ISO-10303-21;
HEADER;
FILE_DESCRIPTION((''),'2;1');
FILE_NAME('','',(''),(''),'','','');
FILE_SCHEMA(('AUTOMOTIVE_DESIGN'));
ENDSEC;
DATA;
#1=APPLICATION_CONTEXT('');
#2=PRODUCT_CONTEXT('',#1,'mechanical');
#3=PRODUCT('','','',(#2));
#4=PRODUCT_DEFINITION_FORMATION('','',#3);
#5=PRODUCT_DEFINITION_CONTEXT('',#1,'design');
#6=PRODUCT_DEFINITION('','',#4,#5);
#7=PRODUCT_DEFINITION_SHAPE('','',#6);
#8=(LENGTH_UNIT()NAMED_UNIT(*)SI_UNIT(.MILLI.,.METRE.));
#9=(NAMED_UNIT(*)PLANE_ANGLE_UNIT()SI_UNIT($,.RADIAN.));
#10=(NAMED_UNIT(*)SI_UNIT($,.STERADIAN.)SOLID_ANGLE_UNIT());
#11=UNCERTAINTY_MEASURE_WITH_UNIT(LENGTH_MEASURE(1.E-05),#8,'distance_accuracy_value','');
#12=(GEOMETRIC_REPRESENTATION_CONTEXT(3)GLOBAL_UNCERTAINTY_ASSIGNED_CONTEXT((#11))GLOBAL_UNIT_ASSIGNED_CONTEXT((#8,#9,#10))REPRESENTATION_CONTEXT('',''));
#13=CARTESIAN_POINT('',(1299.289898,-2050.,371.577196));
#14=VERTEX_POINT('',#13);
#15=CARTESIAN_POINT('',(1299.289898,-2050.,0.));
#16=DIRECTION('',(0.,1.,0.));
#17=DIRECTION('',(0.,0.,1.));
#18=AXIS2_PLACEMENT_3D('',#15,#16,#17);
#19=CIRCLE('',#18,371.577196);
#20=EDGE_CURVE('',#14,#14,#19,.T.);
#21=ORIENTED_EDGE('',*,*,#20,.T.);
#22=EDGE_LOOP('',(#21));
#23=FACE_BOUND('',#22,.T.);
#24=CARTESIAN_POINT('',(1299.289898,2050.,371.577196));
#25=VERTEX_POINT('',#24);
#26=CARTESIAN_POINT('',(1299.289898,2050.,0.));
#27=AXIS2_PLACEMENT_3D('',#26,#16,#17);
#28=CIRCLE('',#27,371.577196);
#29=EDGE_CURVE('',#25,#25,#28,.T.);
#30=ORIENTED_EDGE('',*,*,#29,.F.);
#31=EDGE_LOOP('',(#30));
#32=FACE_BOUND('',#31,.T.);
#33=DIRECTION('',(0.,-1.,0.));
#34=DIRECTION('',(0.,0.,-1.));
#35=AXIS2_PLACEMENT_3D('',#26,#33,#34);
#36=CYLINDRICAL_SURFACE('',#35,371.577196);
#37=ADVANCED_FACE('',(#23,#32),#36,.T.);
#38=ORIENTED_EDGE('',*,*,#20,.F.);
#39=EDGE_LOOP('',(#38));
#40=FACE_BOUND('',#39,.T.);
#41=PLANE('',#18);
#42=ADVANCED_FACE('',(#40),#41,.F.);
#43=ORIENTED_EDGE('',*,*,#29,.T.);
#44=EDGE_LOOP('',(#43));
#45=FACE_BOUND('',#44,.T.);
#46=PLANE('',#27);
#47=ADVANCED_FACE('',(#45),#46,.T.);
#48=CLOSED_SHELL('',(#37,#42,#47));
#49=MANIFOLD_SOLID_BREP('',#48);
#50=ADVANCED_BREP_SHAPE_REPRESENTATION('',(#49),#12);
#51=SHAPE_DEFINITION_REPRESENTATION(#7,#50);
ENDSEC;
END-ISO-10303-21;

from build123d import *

# Parameters (mm, degrees)
BOSS_EXTRUDE1_START = -2050
SKETCH1_R           = 371.577196406
BOSS_EXTRUDE1_DEPTH = 4100


with BuildPart() as part:
    # Sketch1 → Boss-Extrude1 (new body)
    with BuildSketch(Plane(origin=(0, 0, 0), x_dir=(1, 0, 0), z_dir=(0, 1, 0)).offset(BOSS_EXTRUDE1_START)):
        with Locations(Location((1299.28989768, 0, 0), (0, 0, 270))):
            Circle(SKETCH1_R)
    extrude(amount=BOSS_EXTRUDE1_DEPTH)


solid = part.part
